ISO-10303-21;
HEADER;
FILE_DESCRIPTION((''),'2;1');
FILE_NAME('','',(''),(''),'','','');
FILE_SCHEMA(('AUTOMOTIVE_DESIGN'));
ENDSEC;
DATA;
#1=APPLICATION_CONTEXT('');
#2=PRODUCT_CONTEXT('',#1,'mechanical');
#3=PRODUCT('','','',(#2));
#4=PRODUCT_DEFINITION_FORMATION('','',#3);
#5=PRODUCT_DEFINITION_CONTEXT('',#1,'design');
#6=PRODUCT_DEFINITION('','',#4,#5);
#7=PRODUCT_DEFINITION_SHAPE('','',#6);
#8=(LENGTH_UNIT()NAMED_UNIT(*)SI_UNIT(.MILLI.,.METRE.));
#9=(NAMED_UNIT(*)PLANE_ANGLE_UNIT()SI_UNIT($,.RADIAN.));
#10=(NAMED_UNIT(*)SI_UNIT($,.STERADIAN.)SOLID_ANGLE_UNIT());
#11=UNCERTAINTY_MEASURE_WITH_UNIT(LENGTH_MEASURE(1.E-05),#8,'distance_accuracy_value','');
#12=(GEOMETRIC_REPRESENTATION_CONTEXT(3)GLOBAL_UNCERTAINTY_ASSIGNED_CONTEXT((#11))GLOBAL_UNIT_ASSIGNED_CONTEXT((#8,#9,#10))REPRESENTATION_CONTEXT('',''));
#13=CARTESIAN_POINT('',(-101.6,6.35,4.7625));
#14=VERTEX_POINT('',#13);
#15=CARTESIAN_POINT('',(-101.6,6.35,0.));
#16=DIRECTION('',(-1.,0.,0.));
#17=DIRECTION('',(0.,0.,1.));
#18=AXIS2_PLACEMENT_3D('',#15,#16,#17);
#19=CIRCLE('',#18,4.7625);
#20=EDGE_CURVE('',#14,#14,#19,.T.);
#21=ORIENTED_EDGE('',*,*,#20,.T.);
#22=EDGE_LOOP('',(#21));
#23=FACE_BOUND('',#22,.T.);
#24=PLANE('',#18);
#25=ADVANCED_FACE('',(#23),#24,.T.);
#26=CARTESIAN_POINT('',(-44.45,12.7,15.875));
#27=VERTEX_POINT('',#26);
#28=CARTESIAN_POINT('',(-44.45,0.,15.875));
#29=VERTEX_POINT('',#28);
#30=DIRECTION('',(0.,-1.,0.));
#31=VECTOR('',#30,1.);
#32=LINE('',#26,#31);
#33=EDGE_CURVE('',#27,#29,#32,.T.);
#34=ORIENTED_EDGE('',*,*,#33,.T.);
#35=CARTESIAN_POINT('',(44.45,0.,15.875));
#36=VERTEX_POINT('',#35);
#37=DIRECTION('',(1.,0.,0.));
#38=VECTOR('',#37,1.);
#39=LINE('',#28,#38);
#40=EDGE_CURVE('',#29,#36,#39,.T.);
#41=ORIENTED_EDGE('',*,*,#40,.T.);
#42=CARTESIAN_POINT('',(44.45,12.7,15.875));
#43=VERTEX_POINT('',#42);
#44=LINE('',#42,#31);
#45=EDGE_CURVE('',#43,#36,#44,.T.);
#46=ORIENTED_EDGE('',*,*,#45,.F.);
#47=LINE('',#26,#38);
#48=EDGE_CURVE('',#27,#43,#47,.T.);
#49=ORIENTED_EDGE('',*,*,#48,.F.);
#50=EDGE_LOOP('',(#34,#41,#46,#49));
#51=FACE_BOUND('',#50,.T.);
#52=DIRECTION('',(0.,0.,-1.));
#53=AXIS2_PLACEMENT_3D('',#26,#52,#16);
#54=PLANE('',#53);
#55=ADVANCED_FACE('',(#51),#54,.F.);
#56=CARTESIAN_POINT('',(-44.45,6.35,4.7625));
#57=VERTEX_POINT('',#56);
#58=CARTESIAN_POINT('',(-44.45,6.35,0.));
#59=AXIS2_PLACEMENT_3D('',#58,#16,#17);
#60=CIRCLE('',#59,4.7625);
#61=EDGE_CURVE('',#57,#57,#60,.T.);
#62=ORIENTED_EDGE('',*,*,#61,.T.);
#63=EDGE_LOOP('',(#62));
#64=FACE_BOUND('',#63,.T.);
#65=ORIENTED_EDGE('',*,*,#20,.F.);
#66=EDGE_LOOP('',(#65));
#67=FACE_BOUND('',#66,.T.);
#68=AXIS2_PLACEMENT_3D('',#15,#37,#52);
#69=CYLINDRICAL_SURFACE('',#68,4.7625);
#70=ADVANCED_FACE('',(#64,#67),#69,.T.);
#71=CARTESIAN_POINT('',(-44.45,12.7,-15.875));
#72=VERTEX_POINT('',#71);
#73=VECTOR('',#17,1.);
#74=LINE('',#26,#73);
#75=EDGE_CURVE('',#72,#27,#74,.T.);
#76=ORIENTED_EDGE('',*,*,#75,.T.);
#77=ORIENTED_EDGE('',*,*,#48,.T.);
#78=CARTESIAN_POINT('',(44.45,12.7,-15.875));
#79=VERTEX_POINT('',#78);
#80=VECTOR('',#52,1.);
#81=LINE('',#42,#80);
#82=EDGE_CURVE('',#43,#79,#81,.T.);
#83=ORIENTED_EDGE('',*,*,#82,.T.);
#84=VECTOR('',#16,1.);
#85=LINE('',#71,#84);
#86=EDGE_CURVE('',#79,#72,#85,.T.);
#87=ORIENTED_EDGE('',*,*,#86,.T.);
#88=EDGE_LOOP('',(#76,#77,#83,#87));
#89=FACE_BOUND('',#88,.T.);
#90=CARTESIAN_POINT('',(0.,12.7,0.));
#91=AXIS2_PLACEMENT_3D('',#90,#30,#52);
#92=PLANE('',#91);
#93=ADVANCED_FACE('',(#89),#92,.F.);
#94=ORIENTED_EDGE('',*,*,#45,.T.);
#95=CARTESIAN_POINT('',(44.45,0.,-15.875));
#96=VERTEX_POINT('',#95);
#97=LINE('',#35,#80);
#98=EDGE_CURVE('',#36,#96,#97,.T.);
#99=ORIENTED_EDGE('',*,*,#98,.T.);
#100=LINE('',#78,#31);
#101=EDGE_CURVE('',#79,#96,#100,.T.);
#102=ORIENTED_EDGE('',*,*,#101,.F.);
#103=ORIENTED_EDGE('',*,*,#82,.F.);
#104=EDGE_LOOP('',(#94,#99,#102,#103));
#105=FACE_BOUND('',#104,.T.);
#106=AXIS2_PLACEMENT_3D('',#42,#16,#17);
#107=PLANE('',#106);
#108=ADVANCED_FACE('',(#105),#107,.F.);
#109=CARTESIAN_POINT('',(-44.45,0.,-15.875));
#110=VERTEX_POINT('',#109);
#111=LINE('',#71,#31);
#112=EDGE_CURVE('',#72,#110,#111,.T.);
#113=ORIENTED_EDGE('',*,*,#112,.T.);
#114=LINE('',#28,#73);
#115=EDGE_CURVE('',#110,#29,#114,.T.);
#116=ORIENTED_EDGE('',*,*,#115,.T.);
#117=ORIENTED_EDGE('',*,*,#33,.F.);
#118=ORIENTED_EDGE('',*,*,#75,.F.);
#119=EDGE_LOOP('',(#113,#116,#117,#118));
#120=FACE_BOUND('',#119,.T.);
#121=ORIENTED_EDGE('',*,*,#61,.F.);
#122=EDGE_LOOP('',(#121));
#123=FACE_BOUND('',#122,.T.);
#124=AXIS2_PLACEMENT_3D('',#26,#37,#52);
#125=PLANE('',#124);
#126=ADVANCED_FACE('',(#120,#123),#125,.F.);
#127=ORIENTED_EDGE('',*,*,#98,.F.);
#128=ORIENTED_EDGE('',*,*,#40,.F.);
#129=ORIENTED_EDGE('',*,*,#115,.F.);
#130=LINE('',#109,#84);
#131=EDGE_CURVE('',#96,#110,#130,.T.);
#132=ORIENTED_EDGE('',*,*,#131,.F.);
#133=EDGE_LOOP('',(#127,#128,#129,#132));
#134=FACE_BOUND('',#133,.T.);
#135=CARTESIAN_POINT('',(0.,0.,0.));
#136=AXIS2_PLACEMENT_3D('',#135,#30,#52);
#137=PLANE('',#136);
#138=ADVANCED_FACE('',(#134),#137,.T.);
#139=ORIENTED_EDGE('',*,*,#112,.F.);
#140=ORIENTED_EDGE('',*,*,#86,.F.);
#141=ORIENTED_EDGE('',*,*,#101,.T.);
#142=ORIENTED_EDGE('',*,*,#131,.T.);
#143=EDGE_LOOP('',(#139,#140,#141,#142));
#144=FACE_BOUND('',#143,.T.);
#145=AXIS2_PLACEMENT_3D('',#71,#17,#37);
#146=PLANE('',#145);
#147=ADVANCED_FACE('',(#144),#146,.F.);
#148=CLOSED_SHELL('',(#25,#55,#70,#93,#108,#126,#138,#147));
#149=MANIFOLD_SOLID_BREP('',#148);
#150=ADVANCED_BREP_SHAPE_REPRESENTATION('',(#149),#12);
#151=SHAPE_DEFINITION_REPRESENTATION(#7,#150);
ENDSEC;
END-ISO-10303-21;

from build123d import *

# Parameters (mm, degrees)
SKETCH1_W           = 88.9
SKETCH1_H           = 31.75
BOSS_EXTRUDE1_DEPTH = 12.7
SKETCH2_R           = 4.7625
BOSS_EXTRUDE2_DEPTH = 57.15


with BuildPart() as part:
    # Sketch1 → Boss-Extrude1 (new body)
    with BuildSketch(Plane(origin=(0, 0, 0), x_dir=(1, 0, 0), z_dir=(0, 1, 0))):
        Rectangle(SKETCH1_W, SKETCH1_H)
    extrude(amount=BOSS_EXTRUDE1_DEPTH)

    # Sketch2 → Boss-Extrude2 (add)
    with BuildSketch(Plane.ZY.offset(44.45)):
        with Locations((0, 6.35)):
            Circle(SKETCH2_R)
    extrude(amount=BOSS_EXTRUDE2_DEPTH)


solid = part.part
